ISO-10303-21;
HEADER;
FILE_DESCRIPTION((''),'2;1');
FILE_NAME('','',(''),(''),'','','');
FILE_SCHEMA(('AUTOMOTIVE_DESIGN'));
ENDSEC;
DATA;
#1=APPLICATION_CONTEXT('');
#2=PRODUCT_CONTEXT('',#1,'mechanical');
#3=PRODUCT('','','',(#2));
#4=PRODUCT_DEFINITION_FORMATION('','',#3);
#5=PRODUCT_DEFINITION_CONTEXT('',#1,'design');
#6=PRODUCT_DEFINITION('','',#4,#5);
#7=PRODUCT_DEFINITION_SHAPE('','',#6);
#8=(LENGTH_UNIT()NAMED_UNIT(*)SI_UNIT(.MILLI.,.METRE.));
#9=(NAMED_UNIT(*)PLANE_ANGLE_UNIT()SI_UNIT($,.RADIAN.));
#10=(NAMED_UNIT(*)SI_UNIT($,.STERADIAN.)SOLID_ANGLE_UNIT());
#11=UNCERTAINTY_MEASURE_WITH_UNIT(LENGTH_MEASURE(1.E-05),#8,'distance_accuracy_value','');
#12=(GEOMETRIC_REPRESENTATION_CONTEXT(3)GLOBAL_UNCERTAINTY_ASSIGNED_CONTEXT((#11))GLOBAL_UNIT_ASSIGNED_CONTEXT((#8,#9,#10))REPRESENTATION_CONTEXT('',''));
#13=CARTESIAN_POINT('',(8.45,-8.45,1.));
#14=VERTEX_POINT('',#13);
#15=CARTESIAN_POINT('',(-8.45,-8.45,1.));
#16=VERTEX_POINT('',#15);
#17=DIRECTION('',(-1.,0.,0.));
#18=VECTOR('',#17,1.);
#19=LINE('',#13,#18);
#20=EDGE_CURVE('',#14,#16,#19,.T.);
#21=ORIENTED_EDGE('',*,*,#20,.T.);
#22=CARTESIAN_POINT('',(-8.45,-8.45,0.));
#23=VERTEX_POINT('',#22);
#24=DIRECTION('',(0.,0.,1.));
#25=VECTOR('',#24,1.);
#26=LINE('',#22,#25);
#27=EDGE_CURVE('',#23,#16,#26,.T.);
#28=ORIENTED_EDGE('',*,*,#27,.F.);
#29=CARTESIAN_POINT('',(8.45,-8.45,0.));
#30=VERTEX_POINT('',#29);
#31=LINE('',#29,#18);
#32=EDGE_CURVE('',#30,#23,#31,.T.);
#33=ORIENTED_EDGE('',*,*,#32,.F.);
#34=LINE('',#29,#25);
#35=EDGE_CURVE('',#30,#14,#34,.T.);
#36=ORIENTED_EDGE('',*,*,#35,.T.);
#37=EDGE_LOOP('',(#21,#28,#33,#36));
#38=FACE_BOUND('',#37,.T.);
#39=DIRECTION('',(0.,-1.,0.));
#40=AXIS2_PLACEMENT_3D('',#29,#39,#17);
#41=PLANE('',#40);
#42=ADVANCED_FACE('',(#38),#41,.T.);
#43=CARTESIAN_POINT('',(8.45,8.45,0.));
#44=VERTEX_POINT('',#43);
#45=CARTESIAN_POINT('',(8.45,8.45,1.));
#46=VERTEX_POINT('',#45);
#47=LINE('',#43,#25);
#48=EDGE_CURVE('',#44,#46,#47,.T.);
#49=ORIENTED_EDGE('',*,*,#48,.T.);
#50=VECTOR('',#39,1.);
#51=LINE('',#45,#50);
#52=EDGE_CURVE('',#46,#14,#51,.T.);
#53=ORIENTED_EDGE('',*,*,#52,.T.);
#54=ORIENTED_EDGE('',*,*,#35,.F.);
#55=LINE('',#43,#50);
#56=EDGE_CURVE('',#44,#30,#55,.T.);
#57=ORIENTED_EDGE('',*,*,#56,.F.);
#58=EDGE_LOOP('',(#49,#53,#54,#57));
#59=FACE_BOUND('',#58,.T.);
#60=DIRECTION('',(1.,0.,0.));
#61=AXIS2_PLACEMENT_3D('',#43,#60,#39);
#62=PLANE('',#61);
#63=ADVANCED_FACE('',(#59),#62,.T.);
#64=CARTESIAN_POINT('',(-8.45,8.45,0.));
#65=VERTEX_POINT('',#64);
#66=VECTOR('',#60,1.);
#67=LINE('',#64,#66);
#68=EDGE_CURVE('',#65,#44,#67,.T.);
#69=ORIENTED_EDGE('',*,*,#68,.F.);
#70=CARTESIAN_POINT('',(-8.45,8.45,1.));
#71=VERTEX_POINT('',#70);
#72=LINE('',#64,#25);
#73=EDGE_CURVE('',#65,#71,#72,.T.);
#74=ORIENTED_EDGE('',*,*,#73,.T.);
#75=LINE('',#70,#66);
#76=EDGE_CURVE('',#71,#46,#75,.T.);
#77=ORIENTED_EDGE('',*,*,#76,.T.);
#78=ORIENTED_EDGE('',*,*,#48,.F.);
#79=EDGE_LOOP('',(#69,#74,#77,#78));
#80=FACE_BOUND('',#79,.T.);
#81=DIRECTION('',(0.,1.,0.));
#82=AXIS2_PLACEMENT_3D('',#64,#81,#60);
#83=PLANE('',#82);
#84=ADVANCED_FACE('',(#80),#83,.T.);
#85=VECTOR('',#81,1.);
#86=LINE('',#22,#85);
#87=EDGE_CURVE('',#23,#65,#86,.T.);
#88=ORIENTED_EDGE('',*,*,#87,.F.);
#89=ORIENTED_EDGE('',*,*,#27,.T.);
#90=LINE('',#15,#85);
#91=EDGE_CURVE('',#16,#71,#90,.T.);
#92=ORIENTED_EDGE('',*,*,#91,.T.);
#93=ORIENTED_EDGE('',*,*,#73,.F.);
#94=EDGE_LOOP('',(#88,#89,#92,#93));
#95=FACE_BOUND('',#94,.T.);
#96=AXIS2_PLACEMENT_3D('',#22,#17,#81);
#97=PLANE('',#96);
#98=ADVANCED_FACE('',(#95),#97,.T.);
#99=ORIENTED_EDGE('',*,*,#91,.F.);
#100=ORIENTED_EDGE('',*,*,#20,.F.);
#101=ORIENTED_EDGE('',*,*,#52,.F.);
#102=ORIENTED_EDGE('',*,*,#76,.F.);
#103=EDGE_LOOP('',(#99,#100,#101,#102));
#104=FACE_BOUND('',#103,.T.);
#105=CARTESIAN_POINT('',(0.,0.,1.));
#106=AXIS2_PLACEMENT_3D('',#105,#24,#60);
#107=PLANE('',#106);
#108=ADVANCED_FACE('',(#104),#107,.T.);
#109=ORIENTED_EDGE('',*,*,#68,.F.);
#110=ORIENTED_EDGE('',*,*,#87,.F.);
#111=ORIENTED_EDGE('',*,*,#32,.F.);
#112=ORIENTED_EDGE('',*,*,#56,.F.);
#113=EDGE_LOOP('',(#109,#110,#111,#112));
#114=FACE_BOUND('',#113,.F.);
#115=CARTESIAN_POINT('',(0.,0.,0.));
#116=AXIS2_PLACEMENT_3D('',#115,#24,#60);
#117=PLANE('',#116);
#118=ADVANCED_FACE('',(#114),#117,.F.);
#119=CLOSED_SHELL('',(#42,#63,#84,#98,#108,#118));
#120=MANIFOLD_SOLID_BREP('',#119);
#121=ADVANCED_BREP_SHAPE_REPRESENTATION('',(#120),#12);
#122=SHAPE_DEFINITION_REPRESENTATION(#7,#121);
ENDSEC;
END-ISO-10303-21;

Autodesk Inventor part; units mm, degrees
ref_plane "YZ Plane" through (0, 0, 0) normal (1, 0, 0) x (0, 1, 0)
ref_plane "XZ Plane" through (0, 0, 0) normal (0, 1, 0) x (-1, 0, 0)
ref_plane "XY Plane" through (0, 0, 0) normal (0, 0, 1) x (1, 0, 0)
sketch "LQFP100, LPC1768_196" plane through (0, 0, 0) normal (0, 0, 1) x (1, 0, 0)
  line L0 (-8.45, -8.45) -> (-8.45, 8.45)
  line L1 (-8.45, 8.45) -> (8.45, 8.45)
  line L2 (8.45, 8.45) -> (8.45, -8.45)
  line L3 (8.45, -8.45) -> (-8.45, -8.45)
extrude "Extrusion1" add sketch "LQFP100, LPC1768_196" along normal blind 1
properties part number "LPC1768"
